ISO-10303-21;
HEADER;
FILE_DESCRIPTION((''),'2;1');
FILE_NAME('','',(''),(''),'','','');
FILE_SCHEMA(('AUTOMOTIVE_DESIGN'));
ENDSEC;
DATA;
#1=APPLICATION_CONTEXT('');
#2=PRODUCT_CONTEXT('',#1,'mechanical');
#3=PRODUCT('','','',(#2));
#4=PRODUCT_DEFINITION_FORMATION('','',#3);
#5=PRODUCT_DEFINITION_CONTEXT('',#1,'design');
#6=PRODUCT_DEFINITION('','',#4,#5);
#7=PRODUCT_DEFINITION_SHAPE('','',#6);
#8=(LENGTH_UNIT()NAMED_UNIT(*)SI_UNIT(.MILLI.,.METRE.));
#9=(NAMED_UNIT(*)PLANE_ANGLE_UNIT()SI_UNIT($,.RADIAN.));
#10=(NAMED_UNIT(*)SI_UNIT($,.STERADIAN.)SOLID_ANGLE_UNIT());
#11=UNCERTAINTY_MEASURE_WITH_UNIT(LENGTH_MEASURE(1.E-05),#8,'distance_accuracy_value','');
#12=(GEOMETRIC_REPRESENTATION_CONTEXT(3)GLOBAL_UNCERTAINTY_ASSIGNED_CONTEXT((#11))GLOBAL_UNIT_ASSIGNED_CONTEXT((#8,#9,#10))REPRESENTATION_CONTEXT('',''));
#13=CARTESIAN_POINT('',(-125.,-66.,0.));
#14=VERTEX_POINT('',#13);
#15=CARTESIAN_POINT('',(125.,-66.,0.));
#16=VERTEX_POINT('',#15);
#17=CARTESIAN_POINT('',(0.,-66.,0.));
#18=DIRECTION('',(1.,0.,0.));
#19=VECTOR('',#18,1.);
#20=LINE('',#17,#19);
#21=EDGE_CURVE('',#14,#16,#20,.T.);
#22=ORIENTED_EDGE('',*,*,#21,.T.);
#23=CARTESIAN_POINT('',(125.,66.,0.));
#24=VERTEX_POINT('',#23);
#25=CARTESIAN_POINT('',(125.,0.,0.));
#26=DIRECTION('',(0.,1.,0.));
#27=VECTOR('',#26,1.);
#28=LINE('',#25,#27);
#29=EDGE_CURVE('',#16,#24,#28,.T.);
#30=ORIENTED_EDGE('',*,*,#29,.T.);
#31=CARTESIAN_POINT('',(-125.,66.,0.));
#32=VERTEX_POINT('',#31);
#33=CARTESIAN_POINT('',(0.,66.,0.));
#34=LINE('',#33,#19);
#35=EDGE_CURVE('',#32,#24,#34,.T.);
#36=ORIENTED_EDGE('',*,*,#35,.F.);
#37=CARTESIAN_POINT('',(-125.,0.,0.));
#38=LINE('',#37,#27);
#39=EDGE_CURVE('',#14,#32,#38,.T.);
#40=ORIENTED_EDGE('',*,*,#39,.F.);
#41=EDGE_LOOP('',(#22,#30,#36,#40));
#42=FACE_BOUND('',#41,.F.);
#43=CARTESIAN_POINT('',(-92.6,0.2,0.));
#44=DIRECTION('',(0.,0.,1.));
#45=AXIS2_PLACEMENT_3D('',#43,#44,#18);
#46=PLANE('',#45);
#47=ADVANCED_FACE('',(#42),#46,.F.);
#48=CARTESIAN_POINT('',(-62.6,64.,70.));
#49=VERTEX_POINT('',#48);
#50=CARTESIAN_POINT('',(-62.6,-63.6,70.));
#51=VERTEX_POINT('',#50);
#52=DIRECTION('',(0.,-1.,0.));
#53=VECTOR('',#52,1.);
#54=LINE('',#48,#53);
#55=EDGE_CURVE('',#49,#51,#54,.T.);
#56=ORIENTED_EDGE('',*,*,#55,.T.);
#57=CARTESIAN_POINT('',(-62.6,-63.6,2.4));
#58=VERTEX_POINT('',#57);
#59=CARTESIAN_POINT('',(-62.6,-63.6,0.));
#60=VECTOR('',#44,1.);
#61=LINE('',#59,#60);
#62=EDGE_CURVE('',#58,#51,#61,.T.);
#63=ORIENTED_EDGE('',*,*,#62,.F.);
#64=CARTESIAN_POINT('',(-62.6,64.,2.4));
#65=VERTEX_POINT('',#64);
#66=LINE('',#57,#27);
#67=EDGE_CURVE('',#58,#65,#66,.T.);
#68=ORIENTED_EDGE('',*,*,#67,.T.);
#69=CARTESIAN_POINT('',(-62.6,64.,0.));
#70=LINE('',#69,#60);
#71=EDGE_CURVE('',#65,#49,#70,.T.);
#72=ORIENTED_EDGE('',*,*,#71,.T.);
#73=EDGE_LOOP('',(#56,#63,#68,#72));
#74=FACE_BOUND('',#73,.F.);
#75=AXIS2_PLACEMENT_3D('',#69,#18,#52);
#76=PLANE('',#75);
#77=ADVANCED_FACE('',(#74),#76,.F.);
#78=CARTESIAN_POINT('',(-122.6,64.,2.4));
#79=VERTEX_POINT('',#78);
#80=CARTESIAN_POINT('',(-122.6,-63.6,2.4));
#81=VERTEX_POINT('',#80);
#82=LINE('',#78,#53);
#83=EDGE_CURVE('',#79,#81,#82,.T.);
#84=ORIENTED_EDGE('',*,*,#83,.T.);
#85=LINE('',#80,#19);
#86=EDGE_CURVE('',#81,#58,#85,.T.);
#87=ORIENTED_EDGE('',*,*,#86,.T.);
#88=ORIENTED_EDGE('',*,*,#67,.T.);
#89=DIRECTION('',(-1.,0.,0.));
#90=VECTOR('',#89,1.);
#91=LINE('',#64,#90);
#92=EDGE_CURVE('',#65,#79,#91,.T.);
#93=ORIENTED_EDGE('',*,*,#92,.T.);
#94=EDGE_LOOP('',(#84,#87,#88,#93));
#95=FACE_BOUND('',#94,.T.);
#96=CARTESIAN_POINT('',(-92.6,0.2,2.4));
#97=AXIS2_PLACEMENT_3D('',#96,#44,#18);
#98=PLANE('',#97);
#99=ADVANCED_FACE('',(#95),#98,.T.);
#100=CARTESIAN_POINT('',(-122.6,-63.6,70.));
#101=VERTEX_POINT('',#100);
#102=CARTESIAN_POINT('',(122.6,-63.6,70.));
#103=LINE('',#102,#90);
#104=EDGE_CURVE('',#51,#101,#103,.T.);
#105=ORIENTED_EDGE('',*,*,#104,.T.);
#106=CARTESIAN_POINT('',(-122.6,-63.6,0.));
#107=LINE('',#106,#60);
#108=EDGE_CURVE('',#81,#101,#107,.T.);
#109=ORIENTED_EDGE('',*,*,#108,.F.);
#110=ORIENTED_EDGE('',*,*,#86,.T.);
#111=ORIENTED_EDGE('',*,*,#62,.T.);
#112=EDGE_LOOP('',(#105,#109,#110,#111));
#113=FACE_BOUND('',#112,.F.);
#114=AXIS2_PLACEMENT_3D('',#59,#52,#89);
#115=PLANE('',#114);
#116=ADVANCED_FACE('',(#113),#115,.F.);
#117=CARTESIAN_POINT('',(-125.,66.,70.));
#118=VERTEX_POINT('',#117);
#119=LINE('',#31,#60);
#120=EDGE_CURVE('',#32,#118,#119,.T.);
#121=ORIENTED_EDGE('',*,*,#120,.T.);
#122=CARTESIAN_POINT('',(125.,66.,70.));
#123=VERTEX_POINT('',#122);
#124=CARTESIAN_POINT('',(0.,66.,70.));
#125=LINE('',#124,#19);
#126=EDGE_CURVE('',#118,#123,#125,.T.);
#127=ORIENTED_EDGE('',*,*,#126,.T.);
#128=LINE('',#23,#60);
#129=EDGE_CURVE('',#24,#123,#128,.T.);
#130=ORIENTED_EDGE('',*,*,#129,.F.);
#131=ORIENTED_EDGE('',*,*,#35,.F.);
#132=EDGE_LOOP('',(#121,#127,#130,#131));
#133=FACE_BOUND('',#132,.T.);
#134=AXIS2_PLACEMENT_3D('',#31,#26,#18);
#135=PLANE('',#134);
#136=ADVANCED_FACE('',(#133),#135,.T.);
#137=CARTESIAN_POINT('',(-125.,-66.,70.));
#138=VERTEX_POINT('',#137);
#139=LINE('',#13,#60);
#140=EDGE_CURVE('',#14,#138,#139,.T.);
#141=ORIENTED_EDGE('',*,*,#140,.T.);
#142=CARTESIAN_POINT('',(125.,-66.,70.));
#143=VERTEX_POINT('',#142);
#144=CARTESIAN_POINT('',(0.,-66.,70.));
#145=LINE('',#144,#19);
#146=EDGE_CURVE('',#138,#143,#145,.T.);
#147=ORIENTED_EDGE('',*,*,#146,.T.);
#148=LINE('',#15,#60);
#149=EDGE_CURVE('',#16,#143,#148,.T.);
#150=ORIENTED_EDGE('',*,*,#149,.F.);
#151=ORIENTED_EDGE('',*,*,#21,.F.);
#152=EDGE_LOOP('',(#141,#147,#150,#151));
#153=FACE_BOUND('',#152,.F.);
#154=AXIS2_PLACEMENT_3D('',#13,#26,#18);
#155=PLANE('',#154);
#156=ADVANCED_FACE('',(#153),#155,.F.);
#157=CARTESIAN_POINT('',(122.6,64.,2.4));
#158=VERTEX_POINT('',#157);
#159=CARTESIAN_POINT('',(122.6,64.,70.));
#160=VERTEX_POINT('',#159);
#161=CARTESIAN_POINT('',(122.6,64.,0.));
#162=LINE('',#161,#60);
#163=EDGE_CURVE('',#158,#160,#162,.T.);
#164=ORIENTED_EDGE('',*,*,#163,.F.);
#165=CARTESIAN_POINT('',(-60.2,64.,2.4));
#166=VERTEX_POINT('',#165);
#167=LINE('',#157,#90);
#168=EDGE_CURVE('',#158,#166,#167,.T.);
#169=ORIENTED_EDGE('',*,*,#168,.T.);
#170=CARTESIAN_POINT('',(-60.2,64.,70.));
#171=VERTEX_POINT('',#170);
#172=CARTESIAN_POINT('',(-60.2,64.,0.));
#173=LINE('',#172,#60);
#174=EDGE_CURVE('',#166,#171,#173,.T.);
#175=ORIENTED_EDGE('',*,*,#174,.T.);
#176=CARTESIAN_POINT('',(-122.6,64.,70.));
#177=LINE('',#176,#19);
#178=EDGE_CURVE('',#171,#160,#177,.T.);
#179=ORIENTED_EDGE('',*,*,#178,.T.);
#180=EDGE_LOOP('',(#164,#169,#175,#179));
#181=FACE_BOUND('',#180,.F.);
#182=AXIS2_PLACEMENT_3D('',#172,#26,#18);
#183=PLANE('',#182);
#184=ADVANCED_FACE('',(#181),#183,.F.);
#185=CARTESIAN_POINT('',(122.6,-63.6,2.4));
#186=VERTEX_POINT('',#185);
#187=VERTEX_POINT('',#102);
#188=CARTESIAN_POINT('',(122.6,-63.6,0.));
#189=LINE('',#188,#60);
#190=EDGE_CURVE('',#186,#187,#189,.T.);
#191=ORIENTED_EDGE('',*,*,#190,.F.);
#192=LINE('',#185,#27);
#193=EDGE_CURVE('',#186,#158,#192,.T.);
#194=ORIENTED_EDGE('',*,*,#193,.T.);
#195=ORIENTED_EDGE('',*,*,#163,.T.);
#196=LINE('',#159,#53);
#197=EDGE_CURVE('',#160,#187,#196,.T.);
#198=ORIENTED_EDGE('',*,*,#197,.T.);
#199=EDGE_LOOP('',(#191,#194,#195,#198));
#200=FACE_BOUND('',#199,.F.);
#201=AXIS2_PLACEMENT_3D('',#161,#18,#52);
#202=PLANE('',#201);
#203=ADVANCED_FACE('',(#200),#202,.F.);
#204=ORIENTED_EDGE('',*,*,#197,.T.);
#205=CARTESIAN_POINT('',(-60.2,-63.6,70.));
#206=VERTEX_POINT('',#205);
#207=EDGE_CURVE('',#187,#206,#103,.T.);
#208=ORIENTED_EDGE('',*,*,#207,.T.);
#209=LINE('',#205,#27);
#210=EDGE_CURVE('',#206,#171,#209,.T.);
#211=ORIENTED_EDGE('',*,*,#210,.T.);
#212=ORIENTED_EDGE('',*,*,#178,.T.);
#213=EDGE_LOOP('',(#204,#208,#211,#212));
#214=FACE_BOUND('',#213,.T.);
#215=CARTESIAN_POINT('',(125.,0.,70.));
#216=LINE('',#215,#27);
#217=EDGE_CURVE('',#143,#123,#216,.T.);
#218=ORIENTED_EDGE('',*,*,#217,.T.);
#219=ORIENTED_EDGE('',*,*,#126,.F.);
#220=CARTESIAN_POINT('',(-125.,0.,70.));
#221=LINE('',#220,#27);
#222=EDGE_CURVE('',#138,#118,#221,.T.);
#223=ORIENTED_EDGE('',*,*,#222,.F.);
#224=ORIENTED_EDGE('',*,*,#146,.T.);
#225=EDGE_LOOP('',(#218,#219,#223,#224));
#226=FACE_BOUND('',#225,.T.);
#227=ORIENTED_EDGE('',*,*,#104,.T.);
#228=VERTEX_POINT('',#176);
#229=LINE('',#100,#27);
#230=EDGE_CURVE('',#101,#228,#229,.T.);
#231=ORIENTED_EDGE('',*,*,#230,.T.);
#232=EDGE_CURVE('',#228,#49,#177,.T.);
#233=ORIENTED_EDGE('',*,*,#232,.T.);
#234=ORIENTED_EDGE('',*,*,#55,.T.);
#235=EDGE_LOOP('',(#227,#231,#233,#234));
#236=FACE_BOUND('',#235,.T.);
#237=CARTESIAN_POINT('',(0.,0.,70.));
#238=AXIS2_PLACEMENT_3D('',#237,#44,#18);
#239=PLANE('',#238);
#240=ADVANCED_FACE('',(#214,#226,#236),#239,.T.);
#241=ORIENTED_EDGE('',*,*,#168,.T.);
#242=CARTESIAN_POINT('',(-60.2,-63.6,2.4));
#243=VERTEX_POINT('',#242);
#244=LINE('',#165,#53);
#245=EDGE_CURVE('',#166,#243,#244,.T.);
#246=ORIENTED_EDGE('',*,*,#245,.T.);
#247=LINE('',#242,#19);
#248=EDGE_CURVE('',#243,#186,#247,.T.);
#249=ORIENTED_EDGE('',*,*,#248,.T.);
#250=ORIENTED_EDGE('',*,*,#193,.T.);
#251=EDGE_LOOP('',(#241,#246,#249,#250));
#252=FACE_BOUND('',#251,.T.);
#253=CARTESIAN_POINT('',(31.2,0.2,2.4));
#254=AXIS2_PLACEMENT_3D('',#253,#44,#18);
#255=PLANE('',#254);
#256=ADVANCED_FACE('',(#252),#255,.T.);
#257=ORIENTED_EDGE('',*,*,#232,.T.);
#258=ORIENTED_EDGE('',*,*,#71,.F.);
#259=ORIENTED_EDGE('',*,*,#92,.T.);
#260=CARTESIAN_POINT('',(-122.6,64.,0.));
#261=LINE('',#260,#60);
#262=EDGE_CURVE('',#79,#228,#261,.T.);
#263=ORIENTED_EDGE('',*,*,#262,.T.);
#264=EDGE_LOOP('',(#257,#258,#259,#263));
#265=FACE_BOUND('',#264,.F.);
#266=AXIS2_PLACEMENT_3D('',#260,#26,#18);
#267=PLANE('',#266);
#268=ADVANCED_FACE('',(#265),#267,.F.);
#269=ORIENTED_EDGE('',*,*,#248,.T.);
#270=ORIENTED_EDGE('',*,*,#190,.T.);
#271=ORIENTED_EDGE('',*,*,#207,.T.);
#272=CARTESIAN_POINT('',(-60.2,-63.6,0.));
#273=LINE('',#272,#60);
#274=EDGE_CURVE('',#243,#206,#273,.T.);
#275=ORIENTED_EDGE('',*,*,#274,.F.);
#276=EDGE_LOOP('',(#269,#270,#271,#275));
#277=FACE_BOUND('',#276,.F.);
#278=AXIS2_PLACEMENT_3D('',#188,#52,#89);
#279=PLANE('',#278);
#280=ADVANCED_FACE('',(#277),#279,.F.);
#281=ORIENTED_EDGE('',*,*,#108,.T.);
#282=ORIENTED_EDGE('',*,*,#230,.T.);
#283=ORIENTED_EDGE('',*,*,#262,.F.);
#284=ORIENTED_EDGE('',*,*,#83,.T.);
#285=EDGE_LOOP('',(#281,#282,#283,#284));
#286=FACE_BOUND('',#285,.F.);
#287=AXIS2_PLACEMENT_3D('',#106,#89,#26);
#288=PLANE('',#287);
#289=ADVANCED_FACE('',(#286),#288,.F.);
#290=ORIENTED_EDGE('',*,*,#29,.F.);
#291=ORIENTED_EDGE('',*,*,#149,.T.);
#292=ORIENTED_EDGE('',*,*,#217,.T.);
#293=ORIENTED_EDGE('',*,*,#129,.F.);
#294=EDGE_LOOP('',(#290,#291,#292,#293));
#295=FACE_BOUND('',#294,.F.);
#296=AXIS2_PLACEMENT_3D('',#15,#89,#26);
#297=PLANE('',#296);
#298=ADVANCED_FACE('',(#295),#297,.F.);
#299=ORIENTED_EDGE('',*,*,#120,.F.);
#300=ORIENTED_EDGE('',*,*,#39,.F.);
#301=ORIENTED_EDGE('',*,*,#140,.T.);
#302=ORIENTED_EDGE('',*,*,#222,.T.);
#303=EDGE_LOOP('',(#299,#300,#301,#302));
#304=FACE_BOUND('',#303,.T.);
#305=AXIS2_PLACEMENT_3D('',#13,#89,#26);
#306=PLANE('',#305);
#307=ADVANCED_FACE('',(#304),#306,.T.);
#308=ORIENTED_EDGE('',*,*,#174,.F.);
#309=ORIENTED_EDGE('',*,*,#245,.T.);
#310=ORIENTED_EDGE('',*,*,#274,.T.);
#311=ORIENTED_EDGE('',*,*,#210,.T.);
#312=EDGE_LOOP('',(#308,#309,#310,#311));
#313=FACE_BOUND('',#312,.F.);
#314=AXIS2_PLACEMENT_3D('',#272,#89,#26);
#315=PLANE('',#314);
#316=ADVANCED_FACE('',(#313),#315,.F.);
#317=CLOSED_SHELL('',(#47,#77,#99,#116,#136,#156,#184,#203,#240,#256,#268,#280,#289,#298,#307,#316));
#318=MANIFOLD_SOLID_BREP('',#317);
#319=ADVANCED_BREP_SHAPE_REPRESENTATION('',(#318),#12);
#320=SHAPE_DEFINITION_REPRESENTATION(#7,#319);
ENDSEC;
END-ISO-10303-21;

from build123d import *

# Parameters (mm, degrees)
F0_W     = 250
F0_H     = 132
F1_DEPTH = 70
F2_DEPTH = 2.4


with BuildPart() as f1:
    # F0 (on Top) → F1 (new body)
    with BuildSketch(Plane.XY):
        Rectangle(F0_W, F0_H)
        Polygon((-122.6, -63.6), (-122.6, 63.6), (-122.6, 64), (-62.6, 64), (-60.2, 64), (122.6, 64), (122.6, 63.6), (122.6, -63.6), (-60.2, -63.6), (-62.6, -63.6), align=None, mode=Mode.SUBTRACT)
        Polygon((-62.6, 63.6), (-62.6, -63.6), (-60.2, -63.6), (-60.2, 63.6), (-60.2, 64), (-62.6, 64), align=None)
    extrude(amount=F1_DEPTH)

    # F0 (on Top) → F2 (join)
    with BuildSketch(Plane.XY):
        Polygon((-122.6, 64), (-122.6, 63.6), (-122.6, -63.6), (-62.6, -63.6), (-62.6, 63.6), (-62.6, 64), align=None)
        Polygon((-60.2, 63.6), (-60.2, -63.6), (122.6, -63.6), (122.6, 63.6), (122.6, 64), (-60.2, 64), align=None)
    extrude(amount=F2_DEPTH)


solid = f1.part
